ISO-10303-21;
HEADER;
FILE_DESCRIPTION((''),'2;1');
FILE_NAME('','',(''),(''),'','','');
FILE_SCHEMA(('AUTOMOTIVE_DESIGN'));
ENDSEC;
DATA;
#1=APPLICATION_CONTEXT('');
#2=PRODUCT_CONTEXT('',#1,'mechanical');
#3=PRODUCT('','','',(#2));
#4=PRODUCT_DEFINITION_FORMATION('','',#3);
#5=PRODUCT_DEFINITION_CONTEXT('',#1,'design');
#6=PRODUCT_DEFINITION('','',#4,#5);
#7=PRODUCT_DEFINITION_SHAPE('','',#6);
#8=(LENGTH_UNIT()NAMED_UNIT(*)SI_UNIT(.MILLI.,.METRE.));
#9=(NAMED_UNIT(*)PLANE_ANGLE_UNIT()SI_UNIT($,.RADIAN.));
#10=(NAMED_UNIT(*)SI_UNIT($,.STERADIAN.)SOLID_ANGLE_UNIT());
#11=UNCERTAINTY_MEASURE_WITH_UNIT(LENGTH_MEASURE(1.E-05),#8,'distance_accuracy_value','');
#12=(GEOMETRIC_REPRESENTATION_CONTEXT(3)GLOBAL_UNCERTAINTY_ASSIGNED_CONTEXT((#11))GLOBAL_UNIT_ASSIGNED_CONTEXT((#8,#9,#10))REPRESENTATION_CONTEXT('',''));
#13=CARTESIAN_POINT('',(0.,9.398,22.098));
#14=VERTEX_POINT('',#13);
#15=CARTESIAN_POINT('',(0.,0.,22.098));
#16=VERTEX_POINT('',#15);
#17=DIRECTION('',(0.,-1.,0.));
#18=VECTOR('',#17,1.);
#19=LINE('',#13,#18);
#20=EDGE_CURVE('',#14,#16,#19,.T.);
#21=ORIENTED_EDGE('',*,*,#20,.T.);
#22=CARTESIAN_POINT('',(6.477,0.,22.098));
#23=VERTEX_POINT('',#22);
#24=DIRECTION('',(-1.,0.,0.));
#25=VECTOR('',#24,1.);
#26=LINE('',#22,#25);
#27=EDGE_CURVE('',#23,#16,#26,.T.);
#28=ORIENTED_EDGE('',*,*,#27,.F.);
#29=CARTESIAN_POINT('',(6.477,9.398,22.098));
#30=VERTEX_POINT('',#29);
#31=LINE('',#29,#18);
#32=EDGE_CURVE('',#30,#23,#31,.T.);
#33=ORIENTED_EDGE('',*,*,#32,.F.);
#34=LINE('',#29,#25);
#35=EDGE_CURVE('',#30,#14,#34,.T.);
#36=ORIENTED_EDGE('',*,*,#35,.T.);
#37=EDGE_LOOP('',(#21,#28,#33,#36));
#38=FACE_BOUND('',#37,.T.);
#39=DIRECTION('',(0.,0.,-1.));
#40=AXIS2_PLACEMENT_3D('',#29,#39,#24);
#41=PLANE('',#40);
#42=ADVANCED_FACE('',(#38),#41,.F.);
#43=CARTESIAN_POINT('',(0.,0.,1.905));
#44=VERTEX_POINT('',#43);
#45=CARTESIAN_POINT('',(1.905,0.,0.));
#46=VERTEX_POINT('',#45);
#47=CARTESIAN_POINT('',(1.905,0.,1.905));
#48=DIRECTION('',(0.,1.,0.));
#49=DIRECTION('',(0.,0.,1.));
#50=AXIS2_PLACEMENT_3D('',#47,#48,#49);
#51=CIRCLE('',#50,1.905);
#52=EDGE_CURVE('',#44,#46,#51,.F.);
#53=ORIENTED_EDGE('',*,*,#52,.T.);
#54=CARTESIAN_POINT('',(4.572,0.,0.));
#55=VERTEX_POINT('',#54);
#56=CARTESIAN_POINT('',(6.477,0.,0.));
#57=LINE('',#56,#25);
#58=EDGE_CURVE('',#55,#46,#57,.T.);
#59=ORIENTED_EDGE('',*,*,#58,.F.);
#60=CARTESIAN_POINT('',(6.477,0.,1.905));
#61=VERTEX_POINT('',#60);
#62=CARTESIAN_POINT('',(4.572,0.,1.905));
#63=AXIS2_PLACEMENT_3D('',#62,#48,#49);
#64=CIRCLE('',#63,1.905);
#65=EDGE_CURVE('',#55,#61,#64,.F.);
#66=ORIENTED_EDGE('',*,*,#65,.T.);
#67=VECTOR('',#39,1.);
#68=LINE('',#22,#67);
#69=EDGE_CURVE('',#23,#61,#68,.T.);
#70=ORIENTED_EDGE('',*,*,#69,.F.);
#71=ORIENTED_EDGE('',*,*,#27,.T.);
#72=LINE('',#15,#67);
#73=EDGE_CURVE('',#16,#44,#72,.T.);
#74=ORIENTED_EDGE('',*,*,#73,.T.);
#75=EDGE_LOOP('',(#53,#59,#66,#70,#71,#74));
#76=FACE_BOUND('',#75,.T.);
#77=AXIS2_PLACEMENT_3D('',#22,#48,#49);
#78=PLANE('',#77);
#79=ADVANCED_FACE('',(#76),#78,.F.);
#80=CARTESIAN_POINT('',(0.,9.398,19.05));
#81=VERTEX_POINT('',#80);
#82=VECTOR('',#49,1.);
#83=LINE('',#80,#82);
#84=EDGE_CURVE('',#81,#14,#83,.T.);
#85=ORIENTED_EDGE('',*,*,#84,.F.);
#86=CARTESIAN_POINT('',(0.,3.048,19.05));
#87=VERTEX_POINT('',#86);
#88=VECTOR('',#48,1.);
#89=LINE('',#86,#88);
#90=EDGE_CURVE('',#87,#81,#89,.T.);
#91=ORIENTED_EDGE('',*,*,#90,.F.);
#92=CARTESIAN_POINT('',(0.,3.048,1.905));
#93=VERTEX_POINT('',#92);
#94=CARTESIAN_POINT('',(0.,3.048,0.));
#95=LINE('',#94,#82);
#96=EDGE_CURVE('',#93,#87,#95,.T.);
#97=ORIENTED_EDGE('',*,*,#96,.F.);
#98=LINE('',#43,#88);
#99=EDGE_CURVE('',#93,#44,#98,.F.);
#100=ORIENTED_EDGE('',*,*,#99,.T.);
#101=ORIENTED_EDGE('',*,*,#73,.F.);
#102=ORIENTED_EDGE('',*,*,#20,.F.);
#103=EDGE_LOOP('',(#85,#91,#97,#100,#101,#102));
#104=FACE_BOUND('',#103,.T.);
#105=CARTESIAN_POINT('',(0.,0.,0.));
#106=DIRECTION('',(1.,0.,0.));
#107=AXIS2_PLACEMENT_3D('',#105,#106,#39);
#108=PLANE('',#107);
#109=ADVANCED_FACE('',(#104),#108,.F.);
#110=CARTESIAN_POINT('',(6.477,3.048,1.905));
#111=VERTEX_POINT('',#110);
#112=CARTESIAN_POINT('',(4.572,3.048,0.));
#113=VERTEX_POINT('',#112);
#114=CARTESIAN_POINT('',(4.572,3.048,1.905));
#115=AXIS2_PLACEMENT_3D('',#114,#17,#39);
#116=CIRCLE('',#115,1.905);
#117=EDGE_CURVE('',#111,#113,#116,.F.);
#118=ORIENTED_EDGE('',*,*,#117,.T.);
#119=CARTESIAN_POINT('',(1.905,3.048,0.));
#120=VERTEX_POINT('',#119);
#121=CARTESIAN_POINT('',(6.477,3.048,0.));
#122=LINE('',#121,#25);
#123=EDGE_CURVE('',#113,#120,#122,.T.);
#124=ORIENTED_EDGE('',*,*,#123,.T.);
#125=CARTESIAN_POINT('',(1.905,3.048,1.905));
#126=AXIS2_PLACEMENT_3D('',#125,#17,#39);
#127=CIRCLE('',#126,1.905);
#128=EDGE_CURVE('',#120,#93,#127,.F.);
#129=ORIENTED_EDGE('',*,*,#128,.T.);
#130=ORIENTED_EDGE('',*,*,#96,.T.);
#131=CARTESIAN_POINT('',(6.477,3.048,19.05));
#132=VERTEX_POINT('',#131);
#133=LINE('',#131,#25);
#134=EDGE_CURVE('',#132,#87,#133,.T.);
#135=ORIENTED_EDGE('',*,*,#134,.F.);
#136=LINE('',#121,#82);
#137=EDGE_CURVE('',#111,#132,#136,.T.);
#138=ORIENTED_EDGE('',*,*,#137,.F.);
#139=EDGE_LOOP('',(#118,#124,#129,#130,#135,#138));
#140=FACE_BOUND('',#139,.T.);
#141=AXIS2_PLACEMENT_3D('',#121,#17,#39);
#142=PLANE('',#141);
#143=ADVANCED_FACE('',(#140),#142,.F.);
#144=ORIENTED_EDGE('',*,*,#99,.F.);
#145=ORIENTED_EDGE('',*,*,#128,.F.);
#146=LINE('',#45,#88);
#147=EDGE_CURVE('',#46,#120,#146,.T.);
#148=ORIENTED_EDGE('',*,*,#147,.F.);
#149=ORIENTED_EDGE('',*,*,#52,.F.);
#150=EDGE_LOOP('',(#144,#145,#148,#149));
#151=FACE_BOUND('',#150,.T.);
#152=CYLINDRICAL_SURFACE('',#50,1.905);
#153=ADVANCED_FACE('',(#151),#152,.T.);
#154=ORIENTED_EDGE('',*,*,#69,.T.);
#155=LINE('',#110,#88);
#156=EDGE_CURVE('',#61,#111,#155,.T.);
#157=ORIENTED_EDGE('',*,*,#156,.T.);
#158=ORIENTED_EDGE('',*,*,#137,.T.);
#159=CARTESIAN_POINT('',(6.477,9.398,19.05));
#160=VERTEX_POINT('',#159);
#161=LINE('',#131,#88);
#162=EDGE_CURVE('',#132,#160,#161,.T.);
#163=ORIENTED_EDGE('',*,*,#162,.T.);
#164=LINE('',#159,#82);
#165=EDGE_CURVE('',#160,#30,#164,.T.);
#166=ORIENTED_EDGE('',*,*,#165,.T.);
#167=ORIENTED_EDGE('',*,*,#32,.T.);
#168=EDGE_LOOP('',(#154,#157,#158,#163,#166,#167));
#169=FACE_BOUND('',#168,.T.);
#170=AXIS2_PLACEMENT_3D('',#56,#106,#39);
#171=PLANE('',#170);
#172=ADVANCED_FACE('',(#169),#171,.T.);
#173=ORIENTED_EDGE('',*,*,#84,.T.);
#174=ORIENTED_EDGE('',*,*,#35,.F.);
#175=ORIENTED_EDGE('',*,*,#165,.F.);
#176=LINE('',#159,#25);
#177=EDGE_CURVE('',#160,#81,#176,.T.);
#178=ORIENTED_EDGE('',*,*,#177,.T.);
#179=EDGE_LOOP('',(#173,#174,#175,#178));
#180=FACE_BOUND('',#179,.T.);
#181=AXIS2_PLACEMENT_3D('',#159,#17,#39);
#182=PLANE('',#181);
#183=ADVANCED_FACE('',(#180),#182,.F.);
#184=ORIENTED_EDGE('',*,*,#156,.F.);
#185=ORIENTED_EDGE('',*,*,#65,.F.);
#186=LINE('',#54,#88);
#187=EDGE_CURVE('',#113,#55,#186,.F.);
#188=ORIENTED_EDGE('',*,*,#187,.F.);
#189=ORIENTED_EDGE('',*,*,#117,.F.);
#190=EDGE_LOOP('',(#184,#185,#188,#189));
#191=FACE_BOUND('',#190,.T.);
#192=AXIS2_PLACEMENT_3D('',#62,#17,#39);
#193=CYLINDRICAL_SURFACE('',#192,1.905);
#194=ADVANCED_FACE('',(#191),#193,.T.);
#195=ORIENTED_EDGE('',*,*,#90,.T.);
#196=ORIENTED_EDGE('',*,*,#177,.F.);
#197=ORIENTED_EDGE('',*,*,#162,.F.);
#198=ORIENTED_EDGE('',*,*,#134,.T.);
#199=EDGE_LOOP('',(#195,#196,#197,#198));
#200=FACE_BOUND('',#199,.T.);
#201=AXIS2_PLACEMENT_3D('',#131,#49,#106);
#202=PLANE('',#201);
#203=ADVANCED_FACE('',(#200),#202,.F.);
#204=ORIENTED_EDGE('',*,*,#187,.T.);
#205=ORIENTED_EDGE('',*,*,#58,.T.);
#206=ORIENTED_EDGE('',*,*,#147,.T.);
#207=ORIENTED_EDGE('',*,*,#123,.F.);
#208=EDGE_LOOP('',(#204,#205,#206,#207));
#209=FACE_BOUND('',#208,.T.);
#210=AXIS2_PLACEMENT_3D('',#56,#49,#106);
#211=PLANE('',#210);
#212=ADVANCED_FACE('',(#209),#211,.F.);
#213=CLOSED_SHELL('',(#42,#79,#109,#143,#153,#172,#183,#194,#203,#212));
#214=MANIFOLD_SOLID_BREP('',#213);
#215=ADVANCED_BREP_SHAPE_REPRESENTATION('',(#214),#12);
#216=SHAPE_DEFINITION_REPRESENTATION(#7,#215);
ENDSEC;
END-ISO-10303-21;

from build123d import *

# Parameters (mm, degrees)
BOSS_EXTRUDE1_DEPTH = 6.477
FILLET1_R           = 1.905


with BuildPart() as part:
    # Sketch1 → Boss-Extrude1 (new body)
    with BuildSketch(Plane(origin=(0, 0, 0), x_dir=(0, 0, -1), z_dir=(1, 0, 0))):
        Polygon((-22.098, 0), (0, 0), (0, 3.048), (-19.05, 3.048), (-19.05, 9.398), (-22.098, 9.398), align=None)
    extrude(amount=BOSS_EXTRUDE1_DEPTH)

    # Fillet1
    fillet1_edges = [part.edges().sort_by_distance(p)[0] for p in [
        (6.477, 1.524, 0),
        (0, 1.524, 0),
    ]]
    fillet(fillet1_edges, radius=FILLET1_R)


solid = part.part
